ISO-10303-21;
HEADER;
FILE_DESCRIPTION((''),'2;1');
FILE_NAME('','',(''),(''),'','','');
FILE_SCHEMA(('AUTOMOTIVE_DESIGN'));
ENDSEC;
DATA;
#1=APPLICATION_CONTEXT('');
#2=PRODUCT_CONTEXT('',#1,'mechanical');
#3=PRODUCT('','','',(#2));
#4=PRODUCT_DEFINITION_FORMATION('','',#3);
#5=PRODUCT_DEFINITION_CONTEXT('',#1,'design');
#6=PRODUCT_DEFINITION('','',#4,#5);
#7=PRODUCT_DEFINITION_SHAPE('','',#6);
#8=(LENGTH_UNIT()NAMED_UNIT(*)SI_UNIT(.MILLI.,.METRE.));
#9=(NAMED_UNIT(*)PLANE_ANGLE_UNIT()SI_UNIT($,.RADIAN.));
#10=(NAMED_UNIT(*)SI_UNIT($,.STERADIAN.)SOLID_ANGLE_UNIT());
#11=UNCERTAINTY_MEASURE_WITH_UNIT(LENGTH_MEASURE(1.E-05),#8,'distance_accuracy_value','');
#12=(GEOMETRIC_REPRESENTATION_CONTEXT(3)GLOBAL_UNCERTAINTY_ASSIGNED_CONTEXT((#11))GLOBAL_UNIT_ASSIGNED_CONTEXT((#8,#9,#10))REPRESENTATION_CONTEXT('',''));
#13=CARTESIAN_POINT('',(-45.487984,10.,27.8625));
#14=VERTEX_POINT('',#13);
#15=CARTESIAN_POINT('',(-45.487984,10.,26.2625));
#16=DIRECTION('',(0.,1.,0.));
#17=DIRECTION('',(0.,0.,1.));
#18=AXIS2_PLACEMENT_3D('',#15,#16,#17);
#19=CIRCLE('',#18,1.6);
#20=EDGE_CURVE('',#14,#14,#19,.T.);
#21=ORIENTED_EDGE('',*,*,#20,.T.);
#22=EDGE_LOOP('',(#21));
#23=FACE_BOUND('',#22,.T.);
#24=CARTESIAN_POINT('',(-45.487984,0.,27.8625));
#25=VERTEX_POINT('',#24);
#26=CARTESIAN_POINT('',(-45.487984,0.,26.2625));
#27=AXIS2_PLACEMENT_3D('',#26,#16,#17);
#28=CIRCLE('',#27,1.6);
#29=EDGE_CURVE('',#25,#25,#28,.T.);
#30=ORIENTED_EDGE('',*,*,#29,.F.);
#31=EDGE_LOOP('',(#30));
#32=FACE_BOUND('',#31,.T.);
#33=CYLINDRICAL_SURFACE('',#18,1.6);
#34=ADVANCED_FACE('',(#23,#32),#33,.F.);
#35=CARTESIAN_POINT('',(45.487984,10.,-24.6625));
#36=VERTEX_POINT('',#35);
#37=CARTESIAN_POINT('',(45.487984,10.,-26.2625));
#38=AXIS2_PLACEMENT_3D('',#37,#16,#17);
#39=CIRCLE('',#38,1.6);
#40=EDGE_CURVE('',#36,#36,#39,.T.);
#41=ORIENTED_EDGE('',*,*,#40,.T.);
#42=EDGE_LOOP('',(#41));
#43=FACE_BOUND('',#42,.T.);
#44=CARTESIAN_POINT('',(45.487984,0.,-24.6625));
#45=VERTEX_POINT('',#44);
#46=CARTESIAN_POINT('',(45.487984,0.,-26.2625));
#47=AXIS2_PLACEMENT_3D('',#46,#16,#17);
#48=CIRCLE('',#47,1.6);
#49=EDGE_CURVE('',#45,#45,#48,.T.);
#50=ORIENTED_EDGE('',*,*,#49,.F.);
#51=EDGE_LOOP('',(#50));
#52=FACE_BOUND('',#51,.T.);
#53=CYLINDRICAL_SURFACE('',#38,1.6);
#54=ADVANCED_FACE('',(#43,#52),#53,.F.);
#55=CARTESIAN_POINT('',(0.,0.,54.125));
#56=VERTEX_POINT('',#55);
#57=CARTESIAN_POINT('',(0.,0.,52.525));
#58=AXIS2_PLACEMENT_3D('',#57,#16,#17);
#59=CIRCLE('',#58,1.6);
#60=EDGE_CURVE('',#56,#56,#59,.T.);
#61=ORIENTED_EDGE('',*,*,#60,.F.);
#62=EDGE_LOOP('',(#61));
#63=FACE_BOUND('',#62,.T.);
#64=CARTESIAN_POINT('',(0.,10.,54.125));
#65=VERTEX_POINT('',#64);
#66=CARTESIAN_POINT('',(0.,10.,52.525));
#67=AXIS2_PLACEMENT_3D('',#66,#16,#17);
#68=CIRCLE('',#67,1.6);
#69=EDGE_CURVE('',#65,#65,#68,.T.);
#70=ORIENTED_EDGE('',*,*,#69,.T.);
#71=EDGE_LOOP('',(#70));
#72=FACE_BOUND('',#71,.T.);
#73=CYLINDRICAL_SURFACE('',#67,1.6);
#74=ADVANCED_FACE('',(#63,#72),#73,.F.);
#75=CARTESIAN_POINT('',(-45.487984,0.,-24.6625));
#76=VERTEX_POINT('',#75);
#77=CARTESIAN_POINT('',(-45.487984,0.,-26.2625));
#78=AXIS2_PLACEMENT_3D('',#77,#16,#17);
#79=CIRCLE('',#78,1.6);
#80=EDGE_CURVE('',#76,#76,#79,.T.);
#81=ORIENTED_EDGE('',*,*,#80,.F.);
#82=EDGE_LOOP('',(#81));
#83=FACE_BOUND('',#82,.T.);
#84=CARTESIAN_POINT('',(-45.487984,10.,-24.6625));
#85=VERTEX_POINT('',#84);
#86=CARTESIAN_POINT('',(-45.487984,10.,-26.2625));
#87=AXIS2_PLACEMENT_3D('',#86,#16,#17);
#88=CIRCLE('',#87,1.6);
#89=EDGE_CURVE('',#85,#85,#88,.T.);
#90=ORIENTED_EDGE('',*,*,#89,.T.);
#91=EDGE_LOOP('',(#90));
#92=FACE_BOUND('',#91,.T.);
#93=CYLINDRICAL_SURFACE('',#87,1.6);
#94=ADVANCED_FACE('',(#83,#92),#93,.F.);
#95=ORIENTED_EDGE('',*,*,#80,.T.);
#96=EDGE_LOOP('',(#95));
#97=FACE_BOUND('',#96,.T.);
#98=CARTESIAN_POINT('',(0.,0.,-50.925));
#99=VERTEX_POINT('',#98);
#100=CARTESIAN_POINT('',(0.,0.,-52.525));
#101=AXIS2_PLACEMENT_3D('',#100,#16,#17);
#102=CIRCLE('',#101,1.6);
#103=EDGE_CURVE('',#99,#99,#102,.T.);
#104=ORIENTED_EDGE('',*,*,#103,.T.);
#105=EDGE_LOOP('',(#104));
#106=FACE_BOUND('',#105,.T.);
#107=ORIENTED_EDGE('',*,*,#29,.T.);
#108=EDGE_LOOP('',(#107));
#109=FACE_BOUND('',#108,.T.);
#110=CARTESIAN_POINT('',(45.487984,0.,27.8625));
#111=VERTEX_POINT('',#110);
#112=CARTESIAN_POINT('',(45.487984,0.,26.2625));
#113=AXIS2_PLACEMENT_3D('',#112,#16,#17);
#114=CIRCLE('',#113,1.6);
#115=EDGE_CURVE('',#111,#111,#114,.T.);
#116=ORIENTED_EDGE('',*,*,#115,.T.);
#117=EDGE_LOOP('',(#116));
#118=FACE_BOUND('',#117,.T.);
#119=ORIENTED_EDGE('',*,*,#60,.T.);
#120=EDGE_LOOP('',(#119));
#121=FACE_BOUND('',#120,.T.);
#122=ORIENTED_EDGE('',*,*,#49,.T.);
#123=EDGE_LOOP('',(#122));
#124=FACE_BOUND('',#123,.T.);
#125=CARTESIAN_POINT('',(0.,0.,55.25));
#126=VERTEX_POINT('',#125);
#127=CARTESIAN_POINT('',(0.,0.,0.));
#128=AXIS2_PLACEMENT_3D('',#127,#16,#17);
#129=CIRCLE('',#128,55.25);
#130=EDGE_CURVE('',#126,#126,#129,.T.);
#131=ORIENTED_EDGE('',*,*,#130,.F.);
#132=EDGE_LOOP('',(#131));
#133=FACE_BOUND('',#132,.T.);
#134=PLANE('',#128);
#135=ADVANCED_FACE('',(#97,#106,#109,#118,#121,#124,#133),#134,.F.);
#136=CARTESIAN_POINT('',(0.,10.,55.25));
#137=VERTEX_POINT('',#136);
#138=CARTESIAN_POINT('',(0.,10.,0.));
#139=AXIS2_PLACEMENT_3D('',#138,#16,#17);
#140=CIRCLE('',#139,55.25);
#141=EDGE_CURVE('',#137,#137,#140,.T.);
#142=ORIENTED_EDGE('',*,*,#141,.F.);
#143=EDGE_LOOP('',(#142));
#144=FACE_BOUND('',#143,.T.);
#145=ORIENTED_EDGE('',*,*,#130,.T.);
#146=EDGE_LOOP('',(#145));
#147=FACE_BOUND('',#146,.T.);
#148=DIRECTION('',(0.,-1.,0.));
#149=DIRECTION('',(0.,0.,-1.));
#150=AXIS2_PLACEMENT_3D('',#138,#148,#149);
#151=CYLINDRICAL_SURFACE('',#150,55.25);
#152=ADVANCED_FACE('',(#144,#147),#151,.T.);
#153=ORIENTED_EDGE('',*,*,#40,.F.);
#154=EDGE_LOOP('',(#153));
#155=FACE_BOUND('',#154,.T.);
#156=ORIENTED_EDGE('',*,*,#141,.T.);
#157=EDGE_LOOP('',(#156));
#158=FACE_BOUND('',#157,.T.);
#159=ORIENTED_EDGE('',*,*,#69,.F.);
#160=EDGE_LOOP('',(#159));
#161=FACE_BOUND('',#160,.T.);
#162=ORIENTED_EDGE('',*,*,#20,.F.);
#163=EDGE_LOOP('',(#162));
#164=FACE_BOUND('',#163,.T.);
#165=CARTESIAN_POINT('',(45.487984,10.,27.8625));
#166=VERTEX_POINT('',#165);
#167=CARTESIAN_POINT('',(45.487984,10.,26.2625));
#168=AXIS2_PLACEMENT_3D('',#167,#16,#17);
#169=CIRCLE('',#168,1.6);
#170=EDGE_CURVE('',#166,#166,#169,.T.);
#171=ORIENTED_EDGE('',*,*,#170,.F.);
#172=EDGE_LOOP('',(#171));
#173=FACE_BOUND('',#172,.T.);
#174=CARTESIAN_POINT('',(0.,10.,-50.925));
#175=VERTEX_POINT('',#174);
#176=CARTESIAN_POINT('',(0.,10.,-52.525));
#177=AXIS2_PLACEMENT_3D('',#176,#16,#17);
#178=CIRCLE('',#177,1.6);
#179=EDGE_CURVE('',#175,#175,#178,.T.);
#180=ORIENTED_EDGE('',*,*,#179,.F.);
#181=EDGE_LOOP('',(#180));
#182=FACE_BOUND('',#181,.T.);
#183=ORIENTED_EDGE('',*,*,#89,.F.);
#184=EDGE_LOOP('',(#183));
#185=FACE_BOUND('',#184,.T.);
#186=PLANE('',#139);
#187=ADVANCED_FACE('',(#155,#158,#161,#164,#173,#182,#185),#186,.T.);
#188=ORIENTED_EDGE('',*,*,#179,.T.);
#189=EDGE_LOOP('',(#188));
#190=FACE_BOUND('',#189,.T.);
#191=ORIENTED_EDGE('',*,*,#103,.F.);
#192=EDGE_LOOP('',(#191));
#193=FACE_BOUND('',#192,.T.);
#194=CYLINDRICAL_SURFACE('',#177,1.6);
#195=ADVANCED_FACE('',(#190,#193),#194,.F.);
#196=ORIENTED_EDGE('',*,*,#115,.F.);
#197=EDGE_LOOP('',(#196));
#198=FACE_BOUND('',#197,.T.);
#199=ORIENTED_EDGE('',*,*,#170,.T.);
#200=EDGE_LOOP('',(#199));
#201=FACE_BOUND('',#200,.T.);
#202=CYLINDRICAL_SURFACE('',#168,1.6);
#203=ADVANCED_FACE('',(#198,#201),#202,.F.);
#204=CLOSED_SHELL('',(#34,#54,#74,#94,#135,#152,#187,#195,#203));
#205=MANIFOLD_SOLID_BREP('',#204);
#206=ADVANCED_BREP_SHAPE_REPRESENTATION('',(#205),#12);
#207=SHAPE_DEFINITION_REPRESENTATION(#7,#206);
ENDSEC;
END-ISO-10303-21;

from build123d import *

# Parameters (mm, degrees)
SKETCH_1_R              = 55.25
EXTRUDE_1_DEPTH         = 10
HOLE_WIZARD_3_2_3_2_1_D = 3.2


with BuildPart() as part:
    # 草图1 → 凸台-拉伸1 (new body)
    with BuildSketch(Plane(origin=(0, 0, 0), x_dir=(1, 0, 0), z_dir=(0, 1, 0))):
        Circle(SKETCH_1_R)
    extrude(amount=EXTRUDE_1_DEPTH)

    # Ø3.2 (3.2) 直径孔1 (through all)
    with Locations(Plane(origin=(0, 10, -52.525), x_dir=(0, 0, 1), z_dir=(0, 1, 0))):
        with Locations((0, 0), (26.2625, -45.487984334), (78.7875, -45.487984334), (105.05, 0), (78.7875, 45.487984334), (26.2625, 45.487984334)):
            Hole(HOLE_WIZARD_3_2_3_2_1_D / 2)


solid = part.part
